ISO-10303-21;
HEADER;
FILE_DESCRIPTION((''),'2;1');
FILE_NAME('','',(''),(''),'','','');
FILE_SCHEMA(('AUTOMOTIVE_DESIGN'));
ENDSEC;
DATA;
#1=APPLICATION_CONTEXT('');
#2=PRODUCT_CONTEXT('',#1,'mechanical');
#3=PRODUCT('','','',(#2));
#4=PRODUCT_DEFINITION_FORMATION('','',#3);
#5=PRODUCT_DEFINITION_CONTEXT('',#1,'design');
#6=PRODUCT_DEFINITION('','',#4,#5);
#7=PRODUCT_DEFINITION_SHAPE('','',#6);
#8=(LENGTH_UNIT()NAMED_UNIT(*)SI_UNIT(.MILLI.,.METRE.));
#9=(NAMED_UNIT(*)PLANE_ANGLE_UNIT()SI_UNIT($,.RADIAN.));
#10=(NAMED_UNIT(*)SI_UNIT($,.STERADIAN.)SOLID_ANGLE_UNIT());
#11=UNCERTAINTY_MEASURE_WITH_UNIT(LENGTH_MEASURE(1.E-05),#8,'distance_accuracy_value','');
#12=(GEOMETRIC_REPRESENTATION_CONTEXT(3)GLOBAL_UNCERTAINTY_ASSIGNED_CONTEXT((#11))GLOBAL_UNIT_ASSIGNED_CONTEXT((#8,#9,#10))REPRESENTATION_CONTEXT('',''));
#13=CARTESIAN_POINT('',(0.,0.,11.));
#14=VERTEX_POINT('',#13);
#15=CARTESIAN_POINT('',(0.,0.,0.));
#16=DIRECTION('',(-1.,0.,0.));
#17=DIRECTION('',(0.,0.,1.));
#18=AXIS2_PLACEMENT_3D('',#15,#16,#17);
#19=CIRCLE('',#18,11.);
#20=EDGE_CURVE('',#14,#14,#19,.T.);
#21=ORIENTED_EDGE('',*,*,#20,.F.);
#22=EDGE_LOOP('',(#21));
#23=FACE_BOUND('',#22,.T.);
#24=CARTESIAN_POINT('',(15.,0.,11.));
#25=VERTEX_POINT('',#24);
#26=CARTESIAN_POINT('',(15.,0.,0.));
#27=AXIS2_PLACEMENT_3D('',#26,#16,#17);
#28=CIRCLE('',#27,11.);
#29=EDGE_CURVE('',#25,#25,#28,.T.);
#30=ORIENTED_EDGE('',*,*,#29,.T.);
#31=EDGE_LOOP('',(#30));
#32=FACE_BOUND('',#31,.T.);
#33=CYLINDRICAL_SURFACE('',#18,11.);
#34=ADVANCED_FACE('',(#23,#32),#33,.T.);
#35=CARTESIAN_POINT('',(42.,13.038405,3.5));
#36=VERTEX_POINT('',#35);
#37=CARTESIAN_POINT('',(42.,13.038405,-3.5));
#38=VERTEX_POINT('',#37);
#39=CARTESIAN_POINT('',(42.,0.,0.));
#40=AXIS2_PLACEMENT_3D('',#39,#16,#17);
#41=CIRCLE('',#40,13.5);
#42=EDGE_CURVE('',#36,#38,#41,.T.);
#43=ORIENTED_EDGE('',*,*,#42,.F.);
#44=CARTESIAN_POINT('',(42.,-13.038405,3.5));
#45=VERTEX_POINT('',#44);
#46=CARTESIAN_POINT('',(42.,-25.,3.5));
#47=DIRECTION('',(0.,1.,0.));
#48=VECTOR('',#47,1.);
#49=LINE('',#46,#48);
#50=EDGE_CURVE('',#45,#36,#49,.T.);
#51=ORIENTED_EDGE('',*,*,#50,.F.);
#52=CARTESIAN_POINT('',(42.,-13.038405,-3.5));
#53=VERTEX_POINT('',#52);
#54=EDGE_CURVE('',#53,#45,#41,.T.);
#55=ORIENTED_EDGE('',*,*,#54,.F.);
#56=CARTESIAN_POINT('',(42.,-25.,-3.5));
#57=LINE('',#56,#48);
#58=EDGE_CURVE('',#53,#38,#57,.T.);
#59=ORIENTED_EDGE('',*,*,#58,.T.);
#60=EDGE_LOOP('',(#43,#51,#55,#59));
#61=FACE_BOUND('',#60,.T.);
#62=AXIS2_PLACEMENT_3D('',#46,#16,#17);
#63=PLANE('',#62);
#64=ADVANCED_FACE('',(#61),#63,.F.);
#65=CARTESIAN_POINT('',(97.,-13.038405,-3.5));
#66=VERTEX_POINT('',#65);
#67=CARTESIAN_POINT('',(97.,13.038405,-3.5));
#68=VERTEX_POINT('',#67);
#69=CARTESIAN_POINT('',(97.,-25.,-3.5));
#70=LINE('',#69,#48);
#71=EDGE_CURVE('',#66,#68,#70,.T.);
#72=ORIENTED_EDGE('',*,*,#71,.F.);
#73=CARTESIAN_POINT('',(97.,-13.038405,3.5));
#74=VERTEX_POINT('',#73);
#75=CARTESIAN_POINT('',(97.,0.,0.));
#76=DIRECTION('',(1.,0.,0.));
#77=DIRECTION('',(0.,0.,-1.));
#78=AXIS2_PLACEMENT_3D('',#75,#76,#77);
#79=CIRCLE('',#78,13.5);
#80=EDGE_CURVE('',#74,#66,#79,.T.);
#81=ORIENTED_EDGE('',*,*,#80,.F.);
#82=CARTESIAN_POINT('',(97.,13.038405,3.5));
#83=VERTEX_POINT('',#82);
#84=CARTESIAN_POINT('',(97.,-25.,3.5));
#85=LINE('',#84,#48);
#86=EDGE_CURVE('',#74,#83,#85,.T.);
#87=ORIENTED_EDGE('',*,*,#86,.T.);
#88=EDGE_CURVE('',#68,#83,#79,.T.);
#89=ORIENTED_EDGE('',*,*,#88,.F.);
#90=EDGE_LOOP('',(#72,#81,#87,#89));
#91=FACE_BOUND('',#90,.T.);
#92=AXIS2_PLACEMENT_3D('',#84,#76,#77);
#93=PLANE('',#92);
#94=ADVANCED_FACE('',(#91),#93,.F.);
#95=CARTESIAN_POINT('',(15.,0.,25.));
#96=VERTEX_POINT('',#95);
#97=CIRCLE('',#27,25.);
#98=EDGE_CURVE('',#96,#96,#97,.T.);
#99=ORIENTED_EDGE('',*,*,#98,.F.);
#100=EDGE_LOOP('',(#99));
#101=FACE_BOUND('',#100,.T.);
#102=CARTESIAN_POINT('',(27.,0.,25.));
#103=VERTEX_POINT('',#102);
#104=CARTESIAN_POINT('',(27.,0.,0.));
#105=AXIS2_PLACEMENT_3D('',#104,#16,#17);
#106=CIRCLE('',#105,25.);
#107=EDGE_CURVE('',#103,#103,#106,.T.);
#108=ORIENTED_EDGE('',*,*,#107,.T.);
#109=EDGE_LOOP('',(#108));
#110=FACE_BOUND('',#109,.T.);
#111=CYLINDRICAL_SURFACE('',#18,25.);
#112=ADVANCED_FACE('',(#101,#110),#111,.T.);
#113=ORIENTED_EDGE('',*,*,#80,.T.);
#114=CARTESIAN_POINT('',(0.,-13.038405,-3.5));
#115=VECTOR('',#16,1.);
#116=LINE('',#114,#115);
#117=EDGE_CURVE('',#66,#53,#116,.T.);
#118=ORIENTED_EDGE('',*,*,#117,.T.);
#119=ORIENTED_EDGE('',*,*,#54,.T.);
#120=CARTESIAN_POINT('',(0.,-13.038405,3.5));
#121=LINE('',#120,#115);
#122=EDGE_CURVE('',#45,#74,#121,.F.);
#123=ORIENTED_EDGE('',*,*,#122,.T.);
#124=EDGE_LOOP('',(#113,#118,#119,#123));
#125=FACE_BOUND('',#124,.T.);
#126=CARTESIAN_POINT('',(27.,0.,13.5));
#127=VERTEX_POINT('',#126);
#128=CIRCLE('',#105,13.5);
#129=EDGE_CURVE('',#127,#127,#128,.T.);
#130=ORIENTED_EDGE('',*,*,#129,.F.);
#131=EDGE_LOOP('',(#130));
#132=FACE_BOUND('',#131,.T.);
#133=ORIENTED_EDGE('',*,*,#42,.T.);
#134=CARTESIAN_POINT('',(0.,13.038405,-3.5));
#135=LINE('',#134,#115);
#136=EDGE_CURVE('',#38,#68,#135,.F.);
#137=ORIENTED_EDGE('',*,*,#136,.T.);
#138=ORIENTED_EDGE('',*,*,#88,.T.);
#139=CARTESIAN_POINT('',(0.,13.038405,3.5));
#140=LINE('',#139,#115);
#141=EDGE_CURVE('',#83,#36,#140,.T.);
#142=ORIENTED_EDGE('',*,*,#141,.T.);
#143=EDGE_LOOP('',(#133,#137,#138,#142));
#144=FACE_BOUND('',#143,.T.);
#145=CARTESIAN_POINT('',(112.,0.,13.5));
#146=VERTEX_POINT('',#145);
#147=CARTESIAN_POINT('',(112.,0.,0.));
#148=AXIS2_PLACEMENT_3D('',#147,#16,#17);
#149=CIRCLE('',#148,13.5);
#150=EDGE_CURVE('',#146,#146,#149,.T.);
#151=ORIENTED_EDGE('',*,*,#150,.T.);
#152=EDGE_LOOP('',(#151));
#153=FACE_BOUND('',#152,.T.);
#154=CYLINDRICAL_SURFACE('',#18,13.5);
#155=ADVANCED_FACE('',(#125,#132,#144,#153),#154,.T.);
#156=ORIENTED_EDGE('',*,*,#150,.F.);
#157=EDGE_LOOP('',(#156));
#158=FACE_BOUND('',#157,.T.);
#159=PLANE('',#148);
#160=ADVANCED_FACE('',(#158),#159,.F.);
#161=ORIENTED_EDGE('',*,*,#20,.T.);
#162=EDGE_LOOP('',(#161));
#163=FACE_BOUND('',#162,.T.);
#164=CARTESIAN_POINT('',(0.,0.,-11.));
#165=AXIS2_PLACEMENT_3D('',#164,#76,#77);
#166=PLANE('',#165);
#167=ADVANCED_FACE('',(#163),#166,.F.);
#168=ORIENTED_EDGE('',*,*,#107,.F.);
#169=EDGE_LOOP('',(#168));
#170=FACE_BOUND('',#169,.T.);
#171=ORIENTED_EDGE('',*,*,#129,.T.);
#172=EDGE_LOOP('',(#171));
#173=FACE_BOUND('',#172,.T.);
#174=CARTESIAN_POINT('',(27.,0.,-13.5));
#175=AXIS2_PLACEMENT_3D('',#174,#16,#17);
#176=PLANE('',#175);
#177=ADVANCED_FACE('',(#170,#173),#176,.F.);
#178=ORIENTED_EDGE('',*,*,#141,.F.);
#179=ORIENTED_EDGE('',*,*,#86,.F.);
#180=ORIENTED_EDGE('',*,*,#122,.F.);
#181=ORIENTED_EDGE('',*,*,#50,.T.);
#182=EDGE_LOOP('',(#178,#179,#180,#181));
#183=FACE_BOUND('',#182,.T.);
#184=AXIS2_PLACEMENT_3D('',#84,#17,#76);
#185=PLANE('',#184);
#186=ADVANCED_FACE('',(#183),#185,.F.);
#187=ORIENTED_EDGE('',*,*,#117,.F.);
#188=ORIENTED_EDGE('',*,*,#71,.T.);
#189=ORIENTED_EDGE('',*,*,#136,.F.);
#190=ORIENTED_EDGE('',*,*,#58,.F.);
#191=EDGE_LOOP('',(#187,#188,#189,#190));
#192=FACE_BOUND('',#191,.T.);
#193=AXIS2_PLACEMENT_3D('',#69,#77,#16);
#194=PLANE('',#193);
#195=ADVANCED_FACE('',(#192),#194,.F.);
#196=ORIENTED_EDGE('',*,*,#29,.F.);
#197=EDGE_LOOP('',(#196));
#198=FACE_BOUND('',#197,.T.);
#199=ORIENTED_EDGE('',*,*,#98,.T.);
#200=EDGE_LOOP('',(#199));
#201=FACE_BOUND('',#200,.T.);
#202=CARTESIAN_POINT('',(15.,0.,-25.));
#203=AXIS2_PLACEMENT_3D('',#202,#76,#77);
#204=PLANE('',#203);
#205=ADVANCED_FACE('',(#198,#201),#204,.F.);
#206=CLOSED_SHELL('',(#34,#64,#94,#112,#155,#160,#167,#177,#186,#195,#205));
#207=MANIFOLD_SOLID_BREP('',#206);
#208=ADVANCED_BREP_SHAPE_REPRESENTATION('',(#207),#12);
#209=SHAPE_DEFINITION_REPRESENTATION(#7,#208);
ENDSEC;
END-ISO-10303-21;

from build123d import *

# Parameters (mm, degrees)
CUT_EXTRUDE1_DEPTH      = 118.447860772
CUT_EXTRUDE1_DEPTH_BACK = 118.447860772
SKETCH4_W               = 55
SKETCH4_H               = 7


with BuildPart() as part:
    # Sketch1 → Revolve3 (revolve)
    with BuildSketch(Plane(origin=(0, 0, 0), x_dir=(1, 0, 0), z_dir=(0, 1, 0)), mode=Mode.PRIVATE) as revolve3_sk:
        Polygon((0, 0), (112, 0), (112, 13.5), (27, 13.5), (27, 25), (15, 25), (15, 11), (0, 11), align=None)
    revolve(revolve3_sk.sketch.rotate(Axis((0, 0, 0), (1, 0, 0)), 180), axis=Axis((0, 0, 0), (1, 0, 0)))

    # Sketch4 → Cut-Extrude1 (cut, two sides: drawn at the far end of the back side and taken through both)
    with BuildSketch(Plane(origin=(0, 0, 0), x_dir=(1, 0, 0), z_dir=(0, 1, 0)).offset(-CUT_EXTRUDE1_DEPTH_BACK)):
        with Locations((69.5, 0)):
            Rectangle(SKETCH4_W, SKETCH4_H)
    extrude(amount=CUT_EXTRUDE1_DEPTH + CUT_EXTRUDE1_DEPTH_BACK, mode=Mode.SUBTRACT)


solid = part.part
